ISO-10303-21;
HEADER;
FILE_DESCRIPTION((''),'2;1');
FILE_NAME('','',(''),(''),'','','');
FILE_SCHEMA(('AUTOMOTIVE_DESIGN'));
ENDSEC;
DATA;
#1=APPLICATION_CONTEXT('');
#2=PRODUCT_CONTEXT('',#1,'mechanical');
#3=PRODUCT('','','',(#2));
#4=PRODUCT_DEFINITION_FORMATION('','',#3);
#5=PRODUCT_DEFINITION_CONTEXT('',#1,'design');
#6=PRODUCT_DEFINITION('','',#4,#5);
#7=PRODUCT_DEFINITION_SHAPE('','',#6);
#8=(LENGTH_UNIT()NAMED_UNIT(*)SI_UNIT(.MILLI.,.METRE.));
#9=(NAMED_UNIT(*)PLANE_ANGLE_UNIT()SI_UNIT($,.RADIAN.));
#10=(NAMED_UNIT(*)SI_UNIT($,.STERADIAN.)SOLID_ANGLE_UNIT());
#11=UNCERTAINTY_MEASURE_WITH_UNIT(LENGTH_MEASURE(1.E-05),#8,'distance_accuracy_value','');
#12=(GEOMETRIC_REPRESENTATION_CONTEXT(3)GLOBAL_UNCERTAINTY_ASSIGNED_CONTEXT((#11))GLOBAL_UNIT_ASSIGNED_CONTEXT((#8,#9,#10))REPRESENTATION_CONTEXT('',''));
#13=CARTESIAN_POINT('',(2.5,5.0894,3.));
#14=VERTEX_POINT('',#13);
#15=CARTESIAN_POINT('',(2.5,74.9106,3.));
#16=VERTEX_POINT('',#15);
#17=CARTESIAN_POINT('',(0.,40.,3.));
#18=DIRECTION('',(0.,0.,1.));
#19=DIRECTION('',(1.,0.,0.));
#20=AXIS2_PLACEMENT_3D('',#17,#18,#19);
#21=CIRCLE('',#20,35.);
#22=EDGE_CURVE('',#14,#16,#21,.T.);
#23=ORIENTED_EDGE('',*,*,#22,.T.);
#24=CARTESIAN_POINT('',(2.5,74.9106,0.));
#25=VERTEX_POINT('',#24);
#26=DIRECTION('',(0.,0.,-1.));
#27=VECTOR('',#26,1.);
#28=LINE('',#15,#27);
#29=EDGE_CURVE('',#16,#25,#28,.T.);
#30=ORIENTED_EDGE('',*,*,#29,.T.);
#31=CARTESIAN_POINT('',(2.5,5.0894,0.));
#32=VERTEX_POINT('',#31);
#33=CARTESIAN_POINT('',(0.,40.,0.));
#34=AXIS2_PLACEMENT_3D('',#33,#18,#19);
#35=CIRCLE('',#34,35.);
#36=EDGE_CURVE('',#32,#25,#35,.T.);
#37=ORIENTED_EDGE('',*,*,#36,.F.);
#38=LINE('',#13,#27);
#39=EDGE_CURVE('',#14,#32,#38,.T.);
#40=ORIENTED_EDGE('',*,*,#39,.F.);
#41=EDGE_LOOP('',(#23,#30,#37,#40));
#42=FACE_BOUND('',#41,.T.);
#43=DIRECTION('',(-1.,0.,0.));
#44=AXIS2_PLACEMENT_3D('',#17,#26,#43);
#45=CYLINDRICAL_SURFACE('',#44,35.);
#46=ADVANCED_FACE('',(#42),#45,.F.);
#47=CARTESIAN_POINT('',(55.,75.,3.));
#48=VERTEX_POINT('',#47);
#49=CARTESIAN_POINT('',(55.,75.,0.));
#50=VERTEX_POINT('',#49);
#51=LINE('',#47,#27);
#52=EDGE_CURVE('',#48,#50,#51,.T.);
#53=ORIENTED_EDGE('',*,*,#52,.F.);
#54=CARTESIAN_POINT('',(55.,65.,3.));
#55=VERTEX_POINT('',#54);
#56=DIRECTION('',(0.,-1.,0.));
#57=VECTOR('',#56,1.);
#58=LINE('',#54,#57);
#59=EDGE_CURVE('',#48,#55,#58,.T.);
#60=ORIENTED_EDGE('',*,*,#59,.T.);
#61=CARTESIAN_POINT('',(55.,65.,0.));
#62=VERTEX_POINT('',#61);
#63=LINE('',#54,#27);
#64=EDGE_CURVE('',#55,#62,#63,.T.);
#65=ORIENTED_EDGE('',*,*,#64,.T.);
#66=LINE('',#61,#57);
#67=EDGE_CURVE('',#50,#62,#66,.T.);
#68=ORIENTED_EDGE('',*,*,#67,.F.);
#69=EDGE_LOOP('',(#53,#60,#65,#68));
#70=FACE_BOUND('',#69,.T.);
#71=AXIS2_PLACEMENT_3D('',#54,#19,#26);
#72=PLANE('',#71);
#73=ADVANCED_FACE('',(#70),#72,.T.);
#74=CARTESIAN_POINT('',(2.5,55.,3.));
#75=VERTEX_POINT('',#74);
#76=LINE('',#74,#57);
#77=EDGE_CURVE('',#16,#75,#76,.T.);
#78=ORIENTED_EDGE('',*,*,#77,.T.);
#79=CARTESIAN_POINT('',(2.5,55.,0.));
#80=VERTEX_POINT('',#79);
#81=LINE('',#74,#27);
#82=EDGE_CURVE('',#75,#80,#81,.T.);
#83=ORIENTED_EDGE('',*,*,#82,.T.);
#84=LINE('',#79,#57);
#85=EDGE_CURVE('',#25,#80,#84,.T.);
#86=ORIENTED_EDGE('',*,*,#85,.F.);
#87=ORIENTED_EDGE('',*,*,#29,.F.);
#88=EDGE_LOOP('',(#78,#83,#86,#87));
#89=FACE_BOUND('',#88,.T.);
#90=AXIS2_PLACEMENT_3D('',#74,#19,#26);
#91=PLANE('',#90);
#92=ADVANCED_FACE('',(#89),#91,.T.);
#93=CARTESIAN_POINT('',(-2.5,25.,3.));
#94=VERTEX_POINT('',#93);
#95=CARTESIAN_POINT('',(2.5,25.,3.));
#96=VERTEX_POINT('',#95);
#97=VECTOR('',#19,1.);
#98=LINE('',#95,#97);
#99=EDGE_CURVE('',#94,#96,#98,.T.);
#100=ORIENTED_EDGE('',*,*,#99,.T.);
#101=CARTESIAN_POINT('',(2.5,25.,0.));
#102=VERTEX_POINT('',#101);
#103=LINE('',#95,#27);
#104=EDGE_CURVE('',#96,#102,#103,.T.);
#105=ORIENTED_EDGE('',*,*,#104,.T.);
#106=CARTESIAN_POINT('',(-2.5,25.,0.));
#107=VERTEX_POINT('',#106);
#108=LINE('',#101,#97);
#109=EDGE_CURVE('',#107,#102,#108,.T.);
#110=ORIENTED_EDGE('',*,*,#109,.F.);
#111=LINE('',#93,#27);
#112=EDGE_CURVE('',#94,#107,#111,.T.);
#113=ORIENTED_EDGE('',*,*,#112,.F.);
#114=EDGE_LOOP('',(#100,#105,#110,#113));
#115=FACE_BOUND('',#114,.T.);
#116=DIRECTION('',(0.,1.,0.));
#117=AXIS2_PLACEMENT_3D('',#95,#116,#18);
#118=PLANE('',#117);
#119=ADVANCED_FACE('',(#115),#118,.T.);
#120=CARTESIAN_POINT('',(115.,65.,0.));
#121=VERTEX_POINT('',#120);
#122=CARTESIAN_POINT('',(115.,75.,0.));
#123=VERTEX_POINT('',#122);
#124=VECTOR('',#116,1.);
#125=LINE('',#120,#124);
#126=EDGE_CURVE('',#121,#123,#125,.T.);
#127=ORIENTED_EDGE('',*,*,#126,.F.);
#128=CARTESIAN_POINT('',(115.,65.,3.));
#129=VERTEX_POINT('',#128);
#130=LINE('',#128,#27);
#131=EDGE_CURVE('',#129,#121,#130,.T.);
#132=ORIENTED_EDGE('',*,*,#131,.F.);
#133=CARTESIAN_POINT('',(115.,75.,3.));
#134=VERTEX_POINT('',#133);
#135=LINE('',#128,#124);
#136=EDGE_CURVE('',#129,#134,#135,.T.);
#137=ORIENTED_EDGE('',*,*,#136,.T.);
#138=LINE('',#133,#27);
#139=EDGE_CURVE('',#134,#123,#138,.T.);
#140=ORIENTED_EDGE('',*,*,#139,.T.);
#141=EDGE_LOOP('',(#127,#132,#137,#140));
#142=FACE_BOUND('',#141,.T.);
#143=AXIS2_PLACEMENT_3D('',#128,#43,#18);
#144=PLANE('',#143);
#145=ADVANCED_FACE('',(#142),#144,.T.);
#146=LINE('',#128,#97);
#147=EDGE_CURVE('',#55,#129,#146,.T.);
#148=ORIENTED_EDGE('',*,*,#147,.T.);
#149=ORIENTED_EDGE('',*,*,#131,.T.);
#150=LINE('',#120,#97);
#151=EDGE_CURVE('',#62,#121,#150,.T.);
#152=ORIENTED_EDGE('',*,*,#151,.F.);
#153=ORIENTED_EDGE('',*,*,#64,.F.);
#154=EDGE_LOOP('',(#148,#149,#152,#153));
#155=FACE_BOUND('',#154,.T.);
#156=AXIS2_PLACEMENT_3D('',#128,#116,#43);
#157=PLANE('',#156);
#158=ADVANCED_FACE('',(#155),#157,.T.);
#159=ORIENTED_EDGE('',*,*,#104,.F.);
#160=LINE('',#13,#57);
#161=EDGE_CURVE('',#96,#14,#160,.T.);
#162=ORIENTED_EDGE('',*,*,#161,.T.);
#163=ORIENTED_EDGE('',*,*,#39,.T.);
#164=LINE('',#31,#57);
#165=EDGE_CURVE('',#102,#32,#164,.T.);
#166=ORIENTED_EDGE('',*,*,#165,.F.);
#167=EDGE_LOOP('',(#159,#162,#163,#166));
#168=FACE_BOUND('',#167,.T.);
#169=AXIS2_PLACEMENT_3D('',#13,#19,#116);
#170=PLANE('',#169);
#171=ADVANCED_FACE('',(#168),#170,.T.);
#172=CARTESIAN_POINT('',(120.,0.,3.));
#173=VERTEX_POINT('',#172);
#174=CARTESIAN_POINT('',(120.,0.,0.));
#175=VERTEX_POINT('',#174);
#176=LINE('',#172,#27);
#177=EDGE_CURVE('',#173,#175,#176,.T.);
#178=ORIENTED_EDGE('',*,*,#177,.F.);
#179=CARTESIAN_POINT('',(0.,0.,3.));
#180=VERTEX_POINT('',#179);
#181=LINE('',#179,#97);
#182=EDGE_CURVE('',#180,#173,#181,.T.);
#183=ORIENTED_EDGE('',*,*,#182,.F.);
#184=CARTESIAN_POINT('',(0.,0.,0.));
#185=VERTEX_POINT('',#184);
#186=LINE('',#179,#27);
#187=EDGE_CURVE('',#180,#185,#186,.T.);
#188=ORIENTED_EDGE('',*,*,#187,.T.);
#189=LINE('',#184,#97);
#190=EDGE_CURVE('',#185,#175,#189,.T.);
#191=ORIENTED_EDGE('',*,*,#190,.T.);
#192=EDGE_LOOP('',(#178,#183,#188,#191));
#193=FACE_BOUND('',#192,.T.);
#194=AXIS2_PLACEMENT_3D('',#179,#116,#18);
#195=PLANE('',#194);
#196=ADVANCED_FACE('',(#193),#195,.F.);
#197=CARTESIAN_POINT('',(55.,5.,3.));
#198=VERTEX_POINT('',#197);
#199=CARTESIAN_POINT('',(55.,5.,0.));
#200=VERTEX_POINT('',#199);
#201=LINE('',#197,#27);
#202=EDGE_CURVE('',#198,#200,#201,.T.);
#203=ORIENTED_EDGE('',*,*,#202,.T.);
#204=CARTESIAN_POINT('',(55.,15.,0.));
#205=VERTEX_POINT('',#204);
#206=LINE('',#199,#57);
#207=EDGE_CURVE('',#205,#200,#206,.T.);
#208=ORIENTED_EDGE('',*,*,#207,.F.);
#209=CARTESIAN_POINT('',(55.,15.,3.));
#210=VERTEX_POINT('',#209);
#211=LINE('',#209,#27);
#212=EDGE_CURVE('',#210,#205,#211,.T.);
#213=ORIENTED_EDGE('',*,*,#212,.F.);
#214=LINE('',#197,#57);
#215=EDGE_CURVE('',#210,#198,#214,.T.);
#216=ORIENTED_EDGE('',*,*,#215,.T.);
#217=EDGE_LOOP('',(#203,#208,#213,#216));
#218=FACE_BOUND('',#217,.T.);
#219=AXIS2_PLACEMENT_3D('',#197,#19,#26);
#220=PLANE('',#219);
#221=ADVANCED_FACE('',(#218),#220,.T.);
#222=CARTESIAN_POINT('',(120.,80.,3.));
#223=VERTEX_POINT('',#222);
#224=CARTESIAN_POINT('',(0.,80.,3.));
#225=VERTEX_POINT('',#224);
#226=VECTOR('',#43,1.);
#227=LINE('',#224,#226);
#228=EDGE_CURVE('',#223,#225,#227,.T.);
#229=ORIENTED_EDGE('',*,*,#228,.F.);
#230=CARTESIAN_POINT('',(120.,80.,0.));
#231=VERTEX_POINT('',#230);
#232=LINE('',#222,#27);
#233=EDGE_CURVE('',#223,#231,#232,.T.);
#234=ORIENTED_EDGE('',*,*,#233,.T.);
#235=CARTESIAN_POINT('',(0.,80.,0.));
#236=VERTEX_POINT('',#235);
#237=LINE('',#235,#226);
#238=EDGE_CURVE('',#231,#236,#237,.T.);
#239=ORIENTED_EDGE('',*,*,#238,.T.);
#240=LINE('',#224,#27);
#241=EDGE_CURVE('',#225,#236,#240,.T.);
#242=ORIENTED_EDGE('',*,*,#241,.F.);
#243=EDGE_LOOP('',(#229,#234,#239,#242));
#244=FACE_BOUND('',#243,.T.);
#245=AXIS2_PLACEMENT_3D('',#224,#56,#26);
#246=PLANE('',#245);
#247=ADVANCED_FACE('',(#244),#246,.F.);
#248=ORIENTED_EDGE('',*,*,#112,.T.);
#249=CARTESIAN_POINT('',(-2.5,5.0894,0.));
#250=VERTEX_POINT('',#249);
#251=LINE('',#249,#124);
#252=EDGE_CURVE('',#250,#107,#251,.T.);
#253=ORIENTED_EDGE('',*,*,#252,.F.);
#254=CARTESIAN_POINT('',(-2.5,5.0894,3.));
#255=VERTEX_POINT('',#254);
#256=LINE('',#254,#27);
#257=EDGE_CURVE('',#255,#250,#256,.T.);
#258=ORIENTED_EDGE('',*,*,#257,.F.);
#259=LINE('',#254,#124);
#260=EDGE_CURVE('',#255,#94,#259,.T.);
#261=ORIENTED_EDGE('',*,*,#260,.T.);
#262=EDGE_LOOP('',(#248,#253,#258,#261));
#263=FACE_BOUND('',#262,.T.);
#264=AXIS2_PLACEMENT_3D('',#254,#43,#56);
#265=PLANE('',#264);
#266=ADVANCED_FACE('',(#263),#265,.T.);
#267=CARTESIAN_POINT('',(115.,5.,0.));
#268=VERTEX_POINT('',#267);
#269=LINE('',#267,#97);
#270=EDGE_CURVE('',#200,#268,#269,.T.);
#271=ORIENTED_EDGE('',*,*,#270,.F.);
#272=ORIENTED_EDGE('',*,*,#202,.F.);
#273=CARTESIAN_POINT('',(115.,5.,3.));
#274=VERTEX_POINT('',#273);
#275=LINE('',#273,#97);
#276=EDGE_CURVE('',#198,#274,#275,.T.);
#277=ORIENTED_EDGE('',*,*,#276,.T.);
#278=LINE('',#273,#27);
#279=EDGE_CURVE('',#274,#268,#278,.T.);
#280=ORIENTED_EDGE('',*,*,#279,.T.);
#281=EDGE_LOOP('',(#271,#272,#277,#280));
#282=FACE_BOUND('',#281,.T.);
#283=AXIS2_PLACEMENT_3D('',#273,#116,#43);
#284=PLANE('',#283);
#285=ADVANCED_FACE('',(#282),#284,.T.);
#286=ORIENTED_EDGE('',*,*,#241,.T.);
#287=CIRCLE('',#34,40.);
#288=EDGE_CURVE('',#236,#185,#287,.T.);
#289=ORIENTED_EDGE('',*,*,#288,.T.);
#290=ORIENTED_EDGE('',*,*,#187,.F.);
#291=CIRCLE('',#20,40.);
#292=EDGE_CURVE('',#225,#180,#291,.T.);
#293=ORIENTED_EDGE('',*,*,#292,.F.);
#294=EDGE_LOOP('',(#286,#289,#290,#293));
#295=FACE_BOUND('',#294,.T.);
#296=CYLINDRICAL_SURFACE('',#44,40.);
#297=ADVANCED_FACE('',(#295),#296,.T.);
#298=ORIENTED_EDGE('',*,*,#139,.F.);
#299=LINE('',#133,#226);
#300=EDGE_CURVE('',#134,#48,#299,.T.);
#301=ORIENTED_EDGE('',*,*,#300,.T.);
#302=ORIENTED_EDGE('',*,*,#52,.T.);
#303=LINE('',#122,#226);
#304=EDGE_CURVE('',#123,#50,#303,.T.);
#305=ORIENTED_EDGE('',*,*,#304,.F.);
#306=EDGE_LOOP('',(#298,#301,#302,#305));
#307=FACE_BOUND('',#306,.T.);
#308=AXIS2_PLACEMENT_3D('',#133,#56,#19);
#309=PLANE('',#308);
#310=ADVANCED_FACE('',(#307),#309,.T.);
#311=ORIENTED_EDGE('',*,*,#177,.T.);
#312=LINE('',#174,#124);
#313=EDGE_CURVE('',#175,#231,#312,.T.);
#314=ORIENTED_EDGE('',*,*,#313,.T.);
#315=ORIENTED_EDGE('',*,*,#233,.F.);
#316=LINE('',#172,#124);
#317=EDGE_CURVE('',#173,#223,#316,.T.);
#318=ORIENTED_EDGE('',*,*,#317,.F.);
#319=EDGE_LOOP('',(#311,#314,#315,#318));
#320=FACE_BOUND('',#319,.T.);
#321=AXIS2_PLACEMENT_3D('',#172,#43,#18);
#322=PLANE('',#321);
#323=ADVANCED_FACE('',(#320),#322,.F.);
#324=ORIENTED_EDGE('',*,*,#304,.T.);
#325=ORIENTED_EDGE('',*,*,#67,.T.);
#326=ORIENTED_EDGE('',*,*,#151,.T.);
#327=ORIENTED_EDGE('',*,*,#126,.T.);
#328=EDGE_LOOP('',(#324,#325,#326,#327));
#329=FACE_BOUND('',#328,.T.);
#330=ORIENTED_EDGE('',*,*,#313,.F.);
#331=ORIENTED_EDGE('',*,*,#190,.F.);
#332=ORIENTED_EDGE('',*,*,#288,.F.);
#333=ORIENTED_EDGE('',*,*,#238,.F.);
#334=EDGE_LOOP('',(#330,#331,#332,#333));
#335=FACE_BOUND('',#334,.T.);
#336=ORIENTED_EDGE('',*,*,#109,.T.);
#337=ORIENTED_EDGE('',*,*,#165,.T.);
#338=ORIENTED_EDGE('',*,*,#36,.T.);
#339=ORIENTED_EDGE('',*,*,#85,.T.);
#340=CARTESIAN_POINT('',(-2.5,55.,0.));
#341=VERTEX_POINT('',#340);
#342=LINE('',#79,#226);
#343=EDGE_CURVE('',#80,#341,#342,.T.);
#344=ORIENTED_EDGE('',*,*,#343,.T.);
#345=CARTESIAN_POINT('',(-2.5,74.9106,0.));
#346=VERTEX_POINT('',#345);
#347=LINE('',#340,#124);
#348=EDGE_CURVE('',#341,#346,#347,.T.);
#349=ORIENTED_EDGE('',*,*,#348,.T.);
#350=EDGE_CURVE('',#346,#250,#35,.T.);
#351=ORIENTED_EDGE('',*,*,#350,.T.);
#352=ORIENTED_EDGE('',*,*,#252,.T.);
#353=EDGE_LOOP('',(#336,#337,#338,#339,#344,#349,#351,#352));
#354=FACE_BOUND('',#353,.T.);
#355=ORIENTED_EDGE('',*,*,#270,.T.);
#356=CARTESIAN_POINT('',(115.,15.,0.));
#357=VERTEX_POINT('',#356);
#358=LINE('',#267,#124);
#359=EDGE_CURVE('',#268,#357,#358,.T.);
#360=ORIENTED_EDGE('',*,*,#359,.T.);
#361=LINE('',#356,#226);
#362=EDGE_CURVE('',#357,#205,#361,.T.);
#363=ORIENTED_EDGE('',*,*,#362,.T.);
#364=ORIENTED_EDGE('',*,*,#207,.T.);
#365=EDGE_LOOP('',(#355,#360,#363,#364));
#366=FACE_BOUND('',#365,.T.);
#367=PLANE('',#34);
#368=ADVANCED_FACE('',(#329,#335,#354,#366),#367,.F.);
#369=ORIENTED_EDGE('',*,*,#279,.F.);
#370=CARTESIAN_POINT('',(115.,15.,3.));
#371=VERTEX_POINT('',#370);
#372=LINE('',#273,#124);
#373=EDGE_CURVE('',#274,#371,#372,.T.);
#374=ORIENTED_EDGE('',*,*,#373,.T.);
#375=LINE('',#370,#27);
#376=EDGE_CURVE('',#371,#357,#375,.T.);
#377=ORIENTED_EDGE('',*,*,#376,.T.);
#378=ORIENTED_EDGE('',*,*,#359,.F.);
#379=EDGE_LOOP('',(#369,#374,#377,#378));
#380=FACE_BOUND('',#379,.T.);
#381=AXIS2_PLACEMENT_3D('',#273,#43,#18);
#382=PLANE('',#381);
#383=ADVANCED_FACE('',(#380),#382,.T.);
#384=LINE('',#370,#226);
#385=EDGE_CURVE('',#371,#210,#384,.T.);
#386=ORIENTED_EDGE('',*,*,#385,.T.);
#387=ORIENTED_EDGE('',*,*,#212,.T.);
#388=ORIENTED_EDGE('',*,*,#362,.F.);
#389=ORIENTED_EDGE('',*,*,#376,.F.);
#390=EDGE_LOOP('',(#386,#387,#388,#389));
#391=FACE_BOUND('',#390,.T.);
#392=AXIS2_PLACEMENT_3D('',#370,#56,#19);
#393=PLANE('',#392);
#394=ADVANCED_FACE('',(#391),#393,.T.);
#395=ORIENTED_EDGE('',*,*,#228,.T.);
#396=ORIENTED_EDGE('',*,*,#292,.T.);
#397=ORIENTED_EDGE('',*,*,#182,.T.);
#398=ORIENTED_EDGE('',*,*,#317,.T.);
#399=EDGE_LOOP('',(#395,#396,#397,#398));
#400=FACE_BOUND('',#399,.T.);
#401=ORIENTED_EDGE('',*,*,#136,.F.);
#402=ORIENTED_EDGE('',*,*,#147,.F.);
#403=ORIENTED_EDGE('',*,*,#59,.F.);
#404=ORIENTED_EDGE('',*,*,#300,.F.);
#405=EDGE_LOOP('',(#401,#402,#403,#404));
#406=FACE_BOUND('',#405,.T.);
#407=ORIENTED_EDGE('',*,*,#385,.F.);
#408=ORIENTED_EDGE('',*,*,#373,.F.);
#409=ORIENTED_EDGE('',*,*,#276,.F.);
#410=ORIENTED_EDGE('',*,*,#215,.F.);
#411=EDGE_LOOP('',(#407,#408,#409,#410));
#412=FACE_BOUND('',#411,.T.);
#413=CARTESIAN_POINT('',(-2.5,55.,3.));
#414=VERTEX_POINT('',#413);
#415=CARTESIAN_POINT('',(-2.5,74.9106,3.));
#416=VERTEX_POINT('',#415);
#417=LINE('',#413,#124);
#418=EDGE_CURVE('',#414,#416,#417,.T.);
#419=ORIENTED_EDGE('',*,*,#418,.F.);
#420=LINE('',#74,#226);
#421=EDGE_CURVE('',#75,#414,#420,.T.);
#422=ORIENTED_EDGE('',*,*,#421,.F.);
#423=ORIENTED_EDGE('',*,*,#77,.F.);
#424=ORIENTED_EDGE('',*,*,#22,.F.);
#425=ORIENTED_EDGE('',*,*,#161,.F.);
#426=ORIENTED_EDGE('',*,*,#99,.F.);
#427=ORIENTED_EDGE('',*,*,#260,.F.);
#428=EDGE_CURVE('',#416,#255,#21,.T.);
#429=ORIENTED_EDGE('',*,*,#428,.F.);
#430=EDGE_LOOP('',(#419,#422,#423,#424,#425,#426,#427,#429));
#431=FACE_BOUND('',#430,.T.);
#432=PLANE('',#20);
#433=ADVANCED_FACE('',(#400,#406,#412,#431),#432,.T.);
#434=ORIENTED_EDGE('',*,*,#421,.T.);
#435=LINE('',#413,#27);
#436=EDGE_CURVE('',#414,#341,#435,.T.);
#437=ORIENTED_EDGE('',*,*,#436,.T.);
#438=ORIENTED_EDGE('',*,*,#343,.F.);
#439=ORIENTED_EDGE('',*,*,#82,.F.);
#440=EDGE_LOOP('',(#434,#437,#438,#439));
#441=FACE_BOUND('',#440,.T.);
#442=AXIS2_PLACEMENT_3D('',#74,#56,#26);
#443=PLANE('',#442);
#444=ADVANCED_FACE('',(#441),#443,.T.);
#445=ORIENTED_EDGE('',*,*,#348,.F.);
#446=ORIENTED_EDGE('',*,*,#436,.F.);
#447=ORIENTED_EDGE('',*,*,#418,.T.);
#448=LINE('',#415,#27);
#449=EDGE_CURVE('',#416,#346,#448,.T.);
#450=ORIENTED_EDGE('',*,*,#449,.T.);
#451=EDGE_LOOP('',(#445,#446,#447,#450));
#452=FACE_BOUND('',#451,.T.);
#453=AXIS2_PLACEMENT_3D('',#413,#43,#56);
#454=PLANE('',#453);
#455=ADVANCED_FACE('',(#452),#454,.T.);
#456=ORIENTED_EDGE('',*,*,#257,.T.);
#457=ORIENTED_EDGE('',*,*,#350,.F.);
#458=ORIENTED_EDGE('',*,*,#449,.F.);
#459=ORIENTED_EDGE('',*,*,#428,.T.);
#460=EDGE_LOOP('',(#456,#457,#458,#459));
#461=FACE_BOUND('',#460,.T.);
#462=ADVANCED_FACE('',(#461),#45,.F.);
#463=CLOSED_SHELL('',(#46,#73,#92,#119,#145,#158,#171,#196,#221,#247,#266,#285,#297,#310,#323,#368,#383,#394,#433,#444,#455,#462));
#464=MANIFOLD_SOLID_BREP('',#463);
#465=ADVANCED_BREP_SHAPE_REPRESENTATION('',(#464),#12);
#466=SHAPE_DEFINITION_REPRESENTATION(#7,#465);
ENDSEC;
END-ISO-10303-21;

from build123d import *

# Parameters (mm, degrees)
SKETCH1_W           = 60
SKETCH1_H           = 10
BOSS_EXTRUDE1_DEPTH = 3


with BuildPart() as part:
    # Sketch1 → Boss-Extrude1 (new body)
    with BuildSketch(Plane.XY):
        with BuildLine():
            Line((0, 0), (120, 0))
            Line((120, 0), (120, 80))
            Line((120, 80), (0, 80))
            ThreePointArc((0, 80), (-40, 40), (0, 0))
        make_face()
        with Locations((85, 70)):
            Rectangle(SKETCH1_W, SKETCH1_H, mode=Mode.SUBTRACT)
        with Locations((85, 10)):
            Rectangle(SKETCH1_W, SKETCH1_H, mode=Mode.SUBTRACT)
        with BuildLine():
            Line((2.5, 55), (2.5, 74.910600109))
            ThreePointArc((2.5, 74.910600109), (35, 40), (2.5, 5.089399891))
            Line((2.5, 5.089399891), (2.5, 25))
            Line((2.5, 25), (-2.5, 25))
            Line((-2.5, 25), (-2.5, 5.089399891))
            ThreePointArc((-2.5, 5.089399891), (-35, 40), (-2.5, 74.910600109))
            Line((-2.5, 74.910600109), (-2.5, 55))
            Line((-2.5, 55), (2.5, 55))
        make_face(mode=Mode.SUBTRACT)
    extrude(amount=BOSS_EXTRUDE1_DEPTH)


solid = part.part
